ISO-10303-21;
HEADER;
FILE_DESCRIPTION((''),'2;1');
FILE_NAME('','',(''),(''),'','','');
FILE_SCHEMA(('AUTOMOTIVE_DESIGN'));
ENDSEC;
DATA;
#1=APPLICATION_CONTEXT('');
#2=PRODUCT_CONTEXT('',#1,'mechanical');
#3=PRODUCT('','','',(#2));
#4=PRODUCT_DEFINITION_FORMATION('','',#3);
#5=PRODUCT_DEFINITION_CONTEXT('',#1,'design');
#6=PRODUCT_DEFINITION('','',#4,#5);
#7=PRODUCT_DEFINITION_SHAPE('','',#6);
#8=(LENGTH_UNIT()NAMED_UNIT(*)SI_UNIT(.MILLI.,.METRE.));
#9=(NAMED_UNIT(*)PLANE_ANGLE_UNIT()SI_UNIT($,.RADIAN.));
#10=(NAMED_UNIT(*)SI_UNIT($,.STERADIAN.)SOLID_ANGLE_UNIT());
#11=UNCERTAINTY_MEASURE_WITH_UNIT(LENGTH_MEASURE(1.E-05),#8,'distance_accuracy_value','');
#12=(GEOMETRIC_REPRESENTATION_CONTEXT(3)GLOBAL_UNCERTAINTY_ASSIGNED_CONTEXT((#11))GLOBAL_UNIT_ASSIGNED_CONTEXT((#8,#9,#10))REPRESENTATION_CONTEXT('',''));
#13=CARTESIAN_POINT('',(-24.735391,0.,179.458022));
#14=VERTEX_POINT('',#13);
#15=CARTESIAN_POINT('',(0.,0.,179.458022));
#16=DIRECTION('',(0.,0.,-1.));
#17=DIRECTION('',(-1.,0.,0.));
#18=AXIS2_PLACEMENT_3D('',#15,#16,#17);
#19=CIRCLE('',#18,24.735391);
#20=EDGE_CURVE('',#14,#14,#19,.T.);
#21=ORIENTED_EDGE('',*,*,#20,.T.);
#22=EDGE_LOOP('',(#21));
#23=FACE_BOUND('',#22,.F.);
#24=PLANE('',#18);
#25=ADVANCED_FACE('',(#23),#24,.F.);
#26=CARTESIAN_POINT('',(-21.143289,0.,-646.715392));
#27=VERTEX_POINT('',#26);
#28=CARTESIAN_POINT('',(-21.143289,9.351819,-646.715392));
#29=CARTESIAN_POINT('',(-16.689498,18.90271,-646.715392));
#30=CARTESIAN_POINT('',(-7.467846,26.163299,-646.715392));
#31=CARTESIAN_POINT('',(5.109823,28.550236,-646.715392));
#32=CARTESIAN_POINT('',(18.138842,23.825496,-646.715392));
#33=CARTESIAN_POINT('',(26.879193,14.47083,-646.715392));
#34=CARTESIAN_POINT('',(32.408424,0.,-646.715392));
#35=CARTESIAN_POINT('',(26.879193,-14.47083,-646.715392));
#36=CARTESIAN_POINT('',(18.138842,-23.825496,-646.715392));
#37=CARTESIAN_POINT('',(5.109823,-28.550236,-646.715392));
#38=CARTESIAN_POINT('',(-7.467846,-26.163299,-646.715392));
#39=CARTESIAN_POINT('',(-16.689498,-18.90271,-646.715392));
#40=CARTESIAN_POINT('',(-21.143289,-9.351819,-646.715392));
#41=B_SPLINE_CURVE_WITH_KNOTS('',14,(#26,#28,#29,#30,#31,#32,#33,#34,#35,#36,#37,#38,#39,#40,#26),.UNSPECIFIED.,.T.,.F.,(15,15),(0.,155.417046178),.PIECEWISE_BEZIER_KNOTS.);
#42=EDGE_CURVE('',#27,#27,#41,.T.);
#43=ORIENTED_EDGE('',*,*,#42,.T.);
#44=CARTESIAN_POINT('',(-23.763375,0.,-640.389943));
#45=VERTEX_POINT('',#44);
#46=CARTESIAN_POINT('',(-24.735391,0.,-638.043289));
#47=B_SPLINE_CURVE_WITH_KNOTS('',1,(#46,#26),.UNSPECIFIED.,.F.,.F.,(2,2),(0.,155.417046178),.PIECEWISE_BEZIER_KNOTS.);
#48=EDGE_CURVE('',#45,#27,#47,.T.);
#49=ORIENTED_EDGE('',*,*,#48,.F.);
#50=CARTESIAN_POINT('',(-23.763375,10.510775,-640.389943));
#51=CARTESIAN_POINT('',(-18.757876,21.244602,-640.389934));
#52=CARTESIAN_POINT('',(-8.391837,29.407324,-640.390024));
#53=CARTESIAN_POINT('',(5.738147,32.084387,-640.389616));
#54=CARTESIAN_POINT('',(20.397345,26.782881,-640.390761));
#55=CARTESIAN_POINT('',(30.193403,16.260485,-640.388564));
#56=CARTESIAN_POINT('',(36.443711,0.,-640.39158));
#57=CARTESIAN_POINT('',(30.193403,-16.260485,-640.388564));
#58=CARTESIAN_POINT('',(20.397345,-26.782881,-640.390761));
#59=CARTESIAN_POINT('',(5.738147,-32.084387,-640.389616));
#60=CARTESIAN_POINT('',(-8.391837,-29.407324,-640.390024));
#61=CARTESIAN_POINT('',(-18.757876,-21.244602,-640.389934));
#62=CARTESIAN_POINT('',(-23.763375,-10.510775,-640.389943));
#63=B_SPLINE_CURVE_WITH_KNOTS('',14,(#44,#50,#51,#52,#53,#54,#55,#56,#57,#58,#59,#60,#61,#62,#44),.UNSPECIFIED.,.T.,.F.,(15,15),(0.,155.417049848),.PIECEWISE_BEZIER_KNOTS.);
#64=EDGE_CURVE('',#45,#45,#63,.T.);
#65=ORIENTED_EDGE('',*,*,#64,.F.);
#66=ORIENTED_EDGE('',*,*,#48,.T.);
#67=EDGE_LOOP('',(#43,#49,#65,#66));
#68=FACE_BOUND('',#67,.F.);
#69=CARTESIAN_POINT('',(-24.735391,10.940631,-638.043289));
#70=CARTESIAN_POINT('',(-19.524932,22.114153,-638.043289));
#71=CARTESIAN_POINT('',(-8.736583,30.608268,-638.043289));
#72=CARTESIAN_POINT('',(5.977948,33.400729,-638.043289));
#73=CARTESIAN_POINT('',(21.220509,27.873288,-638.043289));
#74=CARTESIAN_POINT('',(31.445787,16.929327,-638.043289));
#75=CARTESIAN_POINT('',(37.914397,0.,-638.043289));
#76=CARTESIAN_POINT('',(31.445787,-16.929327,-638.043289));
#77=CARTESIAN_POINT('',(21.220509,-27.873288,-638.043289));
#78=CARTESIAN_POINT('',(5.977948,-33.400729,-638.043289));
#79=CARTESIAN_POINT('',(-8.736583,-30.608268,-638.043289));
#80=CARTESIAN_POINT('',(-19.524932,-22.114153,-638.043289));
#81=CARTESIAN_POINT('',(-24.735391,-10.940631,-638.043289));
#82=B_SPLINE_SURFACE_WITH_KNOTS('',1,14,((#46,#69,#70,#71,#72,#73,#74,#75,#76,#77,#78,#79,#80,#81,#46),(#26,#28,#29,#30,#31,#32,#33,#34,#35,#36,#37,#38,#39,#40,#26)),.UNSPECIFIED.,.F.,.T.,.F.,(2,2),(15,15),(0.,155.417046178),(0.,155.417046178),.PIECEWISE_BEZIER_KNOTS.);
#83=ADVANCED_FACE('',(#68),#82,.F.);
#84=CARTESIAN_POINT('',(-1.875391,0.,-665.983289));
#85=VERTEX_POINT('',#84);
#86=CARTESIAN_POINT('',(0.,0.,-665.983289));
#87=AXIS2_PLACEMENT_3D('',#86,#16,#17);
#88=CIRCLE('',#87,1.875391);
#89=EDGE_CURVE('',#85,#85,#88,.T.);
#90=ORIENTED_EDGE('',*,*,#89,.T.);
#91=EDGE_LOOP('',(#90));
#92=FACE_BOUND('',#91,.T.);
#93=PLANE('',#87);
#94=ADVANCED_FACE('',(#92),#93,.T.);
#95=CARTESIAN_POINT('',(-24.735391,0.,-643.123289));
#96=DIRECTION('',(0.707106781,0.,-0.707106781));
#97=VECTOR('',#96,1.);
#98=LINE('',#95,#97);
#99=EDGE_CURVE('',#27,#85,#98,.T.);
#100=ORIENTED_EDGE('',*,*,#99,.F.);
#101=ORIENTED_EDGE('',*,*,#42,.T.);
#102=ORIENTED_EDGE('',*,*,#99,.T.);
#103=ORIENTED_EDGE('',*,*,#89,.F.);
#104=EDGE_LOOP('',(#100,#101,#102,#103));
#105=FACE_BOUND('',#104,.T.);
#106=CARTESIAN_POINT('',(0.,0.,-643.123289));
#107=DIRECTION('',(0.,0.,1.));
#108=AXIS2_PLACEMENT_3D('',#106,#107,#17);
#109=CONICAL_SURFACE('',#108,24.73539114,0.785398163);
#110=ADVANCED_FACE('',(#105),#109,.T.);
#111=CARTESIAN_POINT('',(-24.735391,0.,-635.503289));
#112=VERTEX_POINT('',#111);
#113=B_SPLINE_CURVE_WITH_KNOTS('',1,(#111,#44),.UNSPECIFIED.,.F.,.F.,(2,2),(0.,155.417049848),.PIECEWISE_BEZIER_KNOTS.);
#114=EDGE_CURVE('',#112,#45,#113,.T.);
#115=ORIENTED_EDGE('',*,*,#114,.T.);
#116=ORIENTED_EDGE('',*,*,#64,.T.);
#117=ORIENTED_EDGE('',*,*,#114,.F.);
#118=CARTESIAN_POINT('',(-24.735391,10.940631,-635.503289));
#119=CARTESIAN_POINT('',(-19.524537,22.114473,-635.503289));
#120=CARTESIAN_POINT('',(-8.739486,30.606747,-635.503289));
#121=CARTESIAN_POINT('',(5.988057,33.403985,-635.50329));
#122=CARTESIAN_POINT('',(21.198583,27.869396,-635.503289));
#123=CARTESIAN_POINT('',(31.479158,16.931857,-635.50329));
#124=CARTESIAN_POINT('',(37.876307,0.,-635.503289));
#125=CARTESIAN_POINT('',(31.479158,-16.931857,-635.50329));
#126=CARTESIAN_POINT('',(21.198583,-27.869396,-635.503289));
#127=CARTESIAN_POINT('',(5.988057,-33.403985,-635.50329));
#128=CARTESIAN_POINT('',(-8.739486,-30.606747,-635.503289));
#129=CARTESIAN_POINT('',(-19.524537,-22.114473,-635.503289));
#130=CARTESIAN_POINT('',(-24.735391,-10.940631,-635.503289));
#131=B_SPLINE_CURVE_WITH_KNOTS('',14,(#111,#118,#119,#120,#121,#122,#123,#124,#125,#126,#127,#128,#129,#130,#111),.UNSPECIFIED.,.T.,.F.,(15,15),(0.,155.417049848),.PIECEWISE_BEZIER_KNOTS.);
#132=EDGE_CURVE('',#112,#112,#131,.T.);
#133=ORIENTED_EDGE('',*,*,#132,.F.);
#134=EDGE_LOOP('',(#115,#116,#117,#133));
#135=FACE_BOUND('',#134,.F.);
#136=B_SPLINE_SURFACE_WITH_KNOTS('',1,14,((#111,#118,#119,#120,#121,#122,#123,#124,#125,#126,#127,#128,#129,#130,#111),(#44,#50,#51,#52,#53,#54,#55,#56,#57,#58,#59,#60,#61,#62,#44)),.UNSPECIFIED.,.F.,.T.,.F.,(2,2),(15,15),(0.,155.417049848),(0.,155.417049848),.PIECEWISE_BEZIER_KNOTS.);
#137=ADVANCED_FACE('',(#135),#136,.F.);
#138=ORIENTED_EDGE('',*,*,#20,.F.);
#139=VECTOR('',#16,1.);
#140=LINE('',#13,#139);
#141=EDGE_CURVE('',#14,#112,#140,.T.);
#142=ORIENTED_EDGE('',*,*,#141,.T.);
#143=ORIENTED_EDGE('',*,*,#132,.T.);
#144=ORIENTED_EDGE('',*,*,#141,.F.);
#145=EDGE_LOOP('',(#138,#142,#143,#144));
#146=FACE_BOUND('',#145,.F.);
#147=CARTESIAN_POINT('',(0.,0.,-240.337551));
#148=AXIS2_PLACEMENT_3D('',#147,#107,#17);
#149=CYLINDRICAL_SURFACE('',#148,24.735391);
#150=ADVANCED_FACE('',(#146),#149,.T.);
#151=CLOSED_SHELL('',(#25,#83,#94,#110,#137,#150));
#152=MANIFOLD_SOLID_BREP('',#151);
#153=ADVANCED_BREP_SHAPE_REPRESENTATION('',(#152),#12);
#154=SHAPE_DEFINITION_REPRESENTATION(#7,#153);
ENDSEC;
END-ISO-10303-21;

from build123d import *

# Parameters (mm, degrees)
F0_W     = 24.73539114
F0_H     = 419.7955727577
F2_DEPTH = 425.6457388401
F3_SIZE  = 22.86
F4_SIZE  = 5.08
F5_SIZE  = 2.54


with BuildPart() as f1:
    # F0 (on Front) → F1 (revolve)
    with BuildSketch(Plane.XZ):
        with Locations((-12.36769557, -30.4397642612)):
            Rectangle(F0_W, F0_H)
    revolve(axis=Axis((0, 0, -30.4397642612), (0, 0, -1)))

    # F2 (add): a face of the model
    f2_faces = [f1.faces().sort_by_distance(p)[0] for p in [
        (0, 0, -240.3375506401),
    ]]
    extrude(f2_faces, amount=F2_DEPTH)

    # F3
    f3_edges = [f1.edges().sort_by_distance(p)[0] for p in [
        (24.735391, 0, -665.983289),
    ]]
    chamfer(f3_edges, length=F3_SIZE)

    # F4
    f4_edges = [f1.edges().sort_by_distance(p)[0] for p in [
        (24.735391, 0, -643.123289),
    ]]
    chamfer(f4_edges, length=F4_SIZE)

    # F5
    f5_edges = [f1.edges().sort_by_distance(p)[0] for p in [
        (24.735385, 0, -638.043289),
    ]]
    chamfer(f5_edges, length=F5_SIZE)


solid = f1.part
